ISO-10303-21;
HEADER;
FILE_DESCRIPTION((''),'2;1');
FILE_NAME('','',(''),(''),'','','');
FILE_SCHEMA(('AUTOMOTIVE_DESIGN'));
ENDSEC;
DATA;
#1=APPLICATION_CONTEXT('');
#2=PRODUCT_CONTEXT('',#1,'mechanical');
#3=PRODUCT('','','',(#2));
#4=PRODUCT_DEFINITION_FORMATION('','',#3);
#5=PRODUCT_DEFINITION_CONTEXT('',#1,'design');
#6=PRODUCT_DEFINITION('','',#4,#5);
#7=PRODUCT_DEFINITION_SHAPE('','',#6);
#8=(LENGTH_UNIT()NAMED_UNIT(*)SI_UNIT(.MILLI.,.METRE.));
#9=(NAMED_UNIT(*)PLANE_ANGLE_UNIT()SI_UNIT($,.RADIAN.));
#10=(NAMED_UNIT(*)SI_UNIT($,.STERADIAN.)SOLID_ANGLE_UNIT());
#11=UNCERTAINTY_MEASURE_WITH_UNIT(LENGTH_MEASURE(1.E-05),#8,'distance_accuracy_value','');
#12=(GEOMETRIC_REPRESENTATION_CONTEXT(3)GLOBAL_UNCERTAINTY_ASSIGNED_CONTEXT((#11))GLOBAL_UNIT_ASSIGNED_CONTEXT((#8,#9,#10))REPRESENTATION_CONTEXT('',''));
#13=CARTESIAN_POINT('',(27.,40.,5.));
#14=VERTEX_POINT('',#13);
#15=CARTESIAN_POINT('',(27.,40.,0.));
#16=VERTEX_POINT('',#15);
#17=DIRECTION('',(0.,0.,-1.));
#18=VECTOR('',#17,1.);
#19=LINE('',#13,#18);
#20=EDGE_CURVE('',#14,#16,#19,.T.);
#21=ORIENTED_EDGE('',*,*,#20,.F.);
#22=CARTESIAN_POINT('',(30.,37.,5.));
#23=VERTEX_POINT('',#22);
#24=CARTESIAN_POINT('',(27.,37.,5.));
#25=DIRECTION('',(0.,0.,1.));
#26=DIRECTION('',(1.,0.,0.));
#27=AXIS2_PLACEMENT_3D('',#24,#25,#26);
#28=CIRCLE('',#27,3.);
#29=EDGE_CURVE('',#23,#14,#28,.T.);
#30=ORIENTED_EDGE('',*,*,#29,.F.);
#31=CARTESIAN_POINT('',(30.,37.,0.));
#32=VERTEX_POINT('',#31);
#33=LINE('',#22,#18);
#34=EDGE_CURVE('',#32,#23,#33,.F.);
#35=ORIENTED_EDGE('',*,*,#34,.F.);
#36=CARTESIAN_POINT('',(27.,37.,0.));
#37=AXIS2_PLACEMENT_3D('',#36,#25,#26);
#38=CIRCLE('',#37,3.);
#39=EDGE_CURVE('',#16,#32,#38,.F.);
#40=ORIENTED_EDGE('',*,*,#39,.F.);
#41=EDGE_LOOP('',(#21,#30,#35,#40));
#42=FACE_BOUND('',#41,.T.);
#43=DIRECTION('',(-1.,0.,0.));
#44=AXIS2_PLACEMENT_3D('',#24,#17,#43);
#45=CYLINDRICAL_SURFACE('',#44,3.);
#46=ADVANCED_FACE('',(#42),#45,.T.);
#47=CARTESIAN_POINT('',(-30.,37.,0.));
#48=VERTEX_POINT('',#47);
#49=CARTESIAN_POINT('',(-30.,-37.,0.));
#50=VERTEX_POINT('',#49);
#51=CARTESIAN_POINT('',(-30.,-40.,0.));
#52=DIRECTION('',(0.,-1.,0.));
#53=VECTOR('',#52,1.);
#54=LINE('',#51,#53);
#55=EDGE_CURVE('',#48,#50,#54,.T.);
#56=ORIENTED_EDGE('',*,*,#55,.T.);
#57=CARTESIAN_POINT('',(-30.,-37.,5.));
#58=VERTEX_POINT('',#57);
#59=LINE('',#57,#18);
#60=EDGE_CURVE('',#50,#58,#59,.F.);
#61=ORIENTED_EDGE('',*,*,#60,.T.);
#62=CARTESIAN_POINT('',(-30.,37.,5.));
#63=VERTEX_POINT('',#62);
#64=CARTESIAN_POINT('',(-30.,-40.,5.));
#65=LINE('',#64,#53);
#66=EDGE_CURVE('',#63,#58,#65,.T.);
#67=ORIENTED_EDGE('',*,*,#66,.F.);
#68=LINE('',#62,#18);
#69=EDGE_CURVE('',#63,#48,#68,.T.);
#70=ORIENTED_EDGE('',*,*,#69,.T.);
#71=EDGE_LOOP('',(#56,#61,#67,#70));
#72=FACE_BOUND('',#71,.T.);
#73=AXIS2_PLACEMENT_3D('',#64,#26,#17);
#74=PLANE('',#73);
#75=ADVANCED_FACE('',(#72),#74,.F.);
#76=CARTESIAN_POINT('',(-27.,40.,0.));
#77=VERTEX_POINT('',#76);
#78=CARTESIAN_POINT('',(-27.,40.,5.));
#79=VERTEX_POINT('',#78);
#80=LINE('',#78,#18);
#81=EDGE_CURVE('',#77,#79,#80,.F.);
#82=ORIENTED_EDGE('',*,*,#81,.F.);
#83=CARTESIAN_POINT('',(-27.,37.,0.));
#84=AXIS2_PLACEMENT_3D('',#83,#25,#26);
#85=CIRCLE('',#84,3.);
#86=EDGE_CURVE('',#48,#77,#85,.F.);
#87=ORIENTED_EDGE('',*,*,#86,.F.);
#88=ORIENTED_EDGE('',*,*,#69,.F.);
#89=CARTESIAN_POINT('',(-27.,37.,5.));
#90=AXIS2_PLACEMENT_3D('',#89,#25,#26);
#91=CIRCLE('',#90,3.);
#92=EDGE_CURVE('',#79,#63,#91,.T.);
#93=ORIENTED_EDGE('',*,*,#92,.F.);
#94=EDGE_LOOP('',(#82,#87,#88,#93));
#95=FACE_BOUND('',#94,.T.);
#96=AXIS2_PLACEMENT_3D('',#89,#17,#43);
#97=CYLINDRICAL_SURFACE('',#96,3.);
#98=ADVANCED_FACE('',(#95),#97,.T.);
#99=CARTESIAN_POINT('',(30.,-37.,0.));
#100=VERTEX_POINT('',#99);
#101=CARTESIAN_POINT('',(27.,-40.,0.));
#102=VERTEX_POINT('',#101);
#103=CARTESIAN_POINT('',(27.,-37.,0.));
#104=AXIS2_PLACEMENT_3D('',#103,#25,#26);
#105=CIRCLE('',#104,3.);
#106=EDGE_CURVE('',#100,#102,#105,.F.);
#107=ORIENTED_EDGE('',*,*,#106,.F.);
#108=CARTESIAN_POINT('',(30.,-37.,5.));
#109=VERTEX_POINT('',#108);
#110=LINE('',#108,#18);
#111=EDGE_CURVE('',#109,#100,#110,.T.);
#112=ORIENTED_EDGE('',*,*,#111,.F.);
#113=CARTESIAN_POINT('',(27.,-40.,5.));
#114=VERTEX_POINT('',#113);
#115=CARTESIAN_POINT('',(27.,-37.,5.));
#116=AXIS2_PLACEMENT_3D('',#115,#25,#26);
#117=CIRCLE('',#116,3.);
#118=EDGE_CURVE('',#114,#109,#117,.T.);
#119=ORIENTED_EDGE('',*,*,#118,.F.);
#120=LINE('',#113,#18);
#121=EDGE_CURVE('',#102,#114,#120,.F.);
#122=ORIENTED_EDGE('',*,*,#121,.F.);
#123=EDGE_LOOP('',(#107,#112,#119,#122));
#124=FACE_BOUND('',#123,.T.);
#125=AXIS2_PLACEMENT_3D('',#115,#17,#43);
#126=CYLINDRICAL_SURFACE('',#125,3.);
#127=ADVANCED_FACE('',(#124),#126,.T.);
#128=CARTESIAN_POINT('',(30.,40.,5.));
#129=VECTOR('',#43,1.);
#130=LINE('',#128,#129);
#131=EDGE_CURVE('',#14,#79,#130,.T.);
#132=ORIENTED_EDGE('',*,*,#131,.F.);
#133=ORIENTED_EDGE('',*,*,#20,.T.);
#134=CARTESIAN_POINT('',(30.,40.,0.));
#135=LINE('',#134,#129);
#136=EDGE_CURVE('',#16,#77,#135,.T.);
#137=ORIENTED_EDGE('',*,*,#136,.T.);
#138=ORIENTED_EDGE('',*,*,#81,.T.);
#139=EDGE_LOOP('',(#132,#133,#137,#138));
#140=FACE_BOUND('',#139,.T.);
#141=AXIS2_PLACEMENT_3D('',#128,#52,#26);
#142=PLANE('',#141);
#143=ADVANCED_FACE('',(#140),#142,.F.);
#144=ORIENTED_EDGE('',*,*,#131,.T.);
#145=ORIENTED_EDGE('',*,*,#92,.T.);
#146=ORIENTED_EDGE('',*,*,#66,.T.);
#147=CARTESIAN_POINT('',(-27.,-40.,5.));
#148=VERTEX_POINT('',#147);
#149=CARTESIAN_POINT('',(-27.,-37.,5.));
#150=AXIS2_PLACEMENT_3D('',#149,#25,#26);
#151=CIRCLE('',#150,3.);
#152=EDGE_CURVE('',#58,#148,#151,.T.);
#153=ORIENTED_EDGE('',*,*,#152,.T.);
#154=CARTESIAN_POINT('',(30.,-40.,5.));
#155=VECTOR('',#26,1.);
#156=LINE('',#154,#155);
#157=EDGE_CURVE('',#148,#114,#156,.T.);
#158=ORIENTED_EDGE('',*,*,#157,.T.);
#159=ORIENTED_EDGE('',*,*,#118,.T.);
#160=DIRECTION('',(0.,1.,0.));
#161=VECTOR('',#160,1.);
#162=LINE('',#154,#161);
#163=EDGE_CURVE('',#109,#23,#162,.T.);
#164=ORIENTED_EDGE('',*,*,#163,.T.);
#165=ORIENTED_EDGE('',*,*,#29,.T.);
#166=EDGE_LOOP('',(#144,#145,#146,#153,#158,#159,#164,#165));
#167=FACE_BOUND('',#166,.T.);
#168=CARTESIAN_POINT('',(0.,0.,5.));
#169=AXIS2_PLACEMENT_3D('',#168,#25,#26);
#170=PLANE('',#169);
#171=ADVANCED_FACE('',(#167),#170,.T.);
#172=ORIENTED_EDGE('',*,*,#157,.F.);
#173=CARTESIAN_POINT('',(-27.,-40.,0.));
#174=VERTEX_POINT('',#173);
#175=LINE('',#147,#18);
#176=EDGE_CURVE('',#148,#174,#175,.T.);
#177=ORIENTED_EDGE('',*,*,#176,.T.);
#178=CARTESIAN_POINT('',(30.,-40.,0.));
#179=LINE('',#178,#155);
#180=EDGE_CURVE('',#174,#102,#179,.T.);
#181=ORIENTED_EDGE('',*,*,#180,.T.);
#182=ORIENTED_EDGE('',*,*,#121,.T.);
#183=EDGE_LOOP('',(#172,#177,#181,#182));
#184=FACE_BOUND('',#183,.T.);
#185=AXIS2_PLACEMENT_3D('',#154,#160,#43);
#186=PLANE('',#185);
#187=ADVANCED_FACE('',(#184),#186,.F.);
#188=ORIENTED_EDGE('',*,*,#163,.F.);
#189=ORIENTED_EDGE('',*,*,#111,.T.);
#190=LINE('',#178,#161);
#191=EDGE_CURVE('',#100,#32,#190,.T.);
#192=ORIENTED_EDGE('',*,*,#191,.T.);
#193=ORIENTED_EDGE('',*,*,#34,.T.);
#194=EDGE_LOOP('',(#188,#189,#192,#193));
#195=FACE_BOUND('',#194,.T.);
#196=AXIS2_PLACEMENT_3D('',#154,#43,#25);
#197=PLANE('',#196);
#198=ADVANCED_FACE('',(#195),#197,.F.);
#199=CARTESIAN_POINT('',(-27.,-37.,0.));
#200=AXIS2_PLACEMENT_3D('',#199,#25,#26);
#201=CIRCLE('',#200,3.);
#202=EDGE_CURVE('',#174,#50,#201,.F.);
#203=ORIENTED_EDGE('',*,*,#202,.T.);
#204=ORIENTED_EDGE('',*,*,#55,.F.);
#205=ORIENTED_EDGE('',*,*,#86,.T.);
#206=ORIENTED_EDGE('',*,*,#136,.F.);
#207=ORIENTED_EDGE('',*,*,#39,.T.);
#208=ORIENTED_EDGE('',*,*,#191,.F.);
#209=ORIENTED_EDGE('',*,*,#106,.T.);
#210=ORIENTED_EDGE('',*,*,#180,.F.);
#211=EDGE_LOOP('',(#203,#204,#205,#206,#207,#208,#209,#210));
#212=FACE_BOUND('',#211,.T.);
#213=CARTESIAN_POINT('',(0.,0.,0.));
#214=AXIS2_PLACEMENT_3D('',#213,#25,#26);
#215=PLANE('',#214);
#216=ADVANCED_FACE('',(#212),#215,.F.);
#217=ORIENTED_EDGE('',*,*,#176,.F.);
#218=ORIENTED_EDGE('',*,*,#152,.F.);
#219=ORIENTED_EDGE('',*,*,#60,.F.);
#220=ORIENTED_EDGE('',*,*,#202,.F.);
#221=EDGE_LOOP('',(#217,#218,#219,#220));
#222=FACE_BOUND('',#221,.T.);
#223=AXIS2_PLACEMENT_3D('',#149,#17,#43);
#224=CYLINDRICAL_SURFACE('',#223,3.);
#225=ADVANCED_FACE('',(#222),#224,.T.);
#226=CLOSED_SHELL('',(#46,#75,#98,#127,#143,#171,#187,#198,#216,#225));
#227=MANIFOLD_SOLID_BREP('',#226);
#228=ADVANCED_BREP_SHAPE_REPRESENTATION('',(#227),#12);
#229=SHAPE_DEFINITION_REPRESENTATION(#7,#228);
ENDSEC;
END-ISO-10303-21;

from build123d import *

# Parameters (mm, degrees)
SKETCH_1_W      = 60
SKETCH_1_H      = 80
EXTRUDE_1_DEPTH = 5
FILLET_1_R      = 3


with BuildPart() as part:
    # Эскиз1 → Бобышка-Вытянуть1 (new body)
    with BuildSketch(Plane.XY):
        Rectangle(SKETCH_1_W, SKETCH_1_H)
    extrude(amount=EXTRUDE_1_DEPTH)

    # Скругление1
    fillet_1_edges = [part.edges().sort_by_distance(p)[0] for p in [
        (-30, 40, 2.5),
        (30, 40, 2.5),
        (30, -40, 2.5),
        (-30, -40, 2.5),
    ]]
    fillet(fillet_1_edges, radius=FILLET_1_R)


solid = part.part
